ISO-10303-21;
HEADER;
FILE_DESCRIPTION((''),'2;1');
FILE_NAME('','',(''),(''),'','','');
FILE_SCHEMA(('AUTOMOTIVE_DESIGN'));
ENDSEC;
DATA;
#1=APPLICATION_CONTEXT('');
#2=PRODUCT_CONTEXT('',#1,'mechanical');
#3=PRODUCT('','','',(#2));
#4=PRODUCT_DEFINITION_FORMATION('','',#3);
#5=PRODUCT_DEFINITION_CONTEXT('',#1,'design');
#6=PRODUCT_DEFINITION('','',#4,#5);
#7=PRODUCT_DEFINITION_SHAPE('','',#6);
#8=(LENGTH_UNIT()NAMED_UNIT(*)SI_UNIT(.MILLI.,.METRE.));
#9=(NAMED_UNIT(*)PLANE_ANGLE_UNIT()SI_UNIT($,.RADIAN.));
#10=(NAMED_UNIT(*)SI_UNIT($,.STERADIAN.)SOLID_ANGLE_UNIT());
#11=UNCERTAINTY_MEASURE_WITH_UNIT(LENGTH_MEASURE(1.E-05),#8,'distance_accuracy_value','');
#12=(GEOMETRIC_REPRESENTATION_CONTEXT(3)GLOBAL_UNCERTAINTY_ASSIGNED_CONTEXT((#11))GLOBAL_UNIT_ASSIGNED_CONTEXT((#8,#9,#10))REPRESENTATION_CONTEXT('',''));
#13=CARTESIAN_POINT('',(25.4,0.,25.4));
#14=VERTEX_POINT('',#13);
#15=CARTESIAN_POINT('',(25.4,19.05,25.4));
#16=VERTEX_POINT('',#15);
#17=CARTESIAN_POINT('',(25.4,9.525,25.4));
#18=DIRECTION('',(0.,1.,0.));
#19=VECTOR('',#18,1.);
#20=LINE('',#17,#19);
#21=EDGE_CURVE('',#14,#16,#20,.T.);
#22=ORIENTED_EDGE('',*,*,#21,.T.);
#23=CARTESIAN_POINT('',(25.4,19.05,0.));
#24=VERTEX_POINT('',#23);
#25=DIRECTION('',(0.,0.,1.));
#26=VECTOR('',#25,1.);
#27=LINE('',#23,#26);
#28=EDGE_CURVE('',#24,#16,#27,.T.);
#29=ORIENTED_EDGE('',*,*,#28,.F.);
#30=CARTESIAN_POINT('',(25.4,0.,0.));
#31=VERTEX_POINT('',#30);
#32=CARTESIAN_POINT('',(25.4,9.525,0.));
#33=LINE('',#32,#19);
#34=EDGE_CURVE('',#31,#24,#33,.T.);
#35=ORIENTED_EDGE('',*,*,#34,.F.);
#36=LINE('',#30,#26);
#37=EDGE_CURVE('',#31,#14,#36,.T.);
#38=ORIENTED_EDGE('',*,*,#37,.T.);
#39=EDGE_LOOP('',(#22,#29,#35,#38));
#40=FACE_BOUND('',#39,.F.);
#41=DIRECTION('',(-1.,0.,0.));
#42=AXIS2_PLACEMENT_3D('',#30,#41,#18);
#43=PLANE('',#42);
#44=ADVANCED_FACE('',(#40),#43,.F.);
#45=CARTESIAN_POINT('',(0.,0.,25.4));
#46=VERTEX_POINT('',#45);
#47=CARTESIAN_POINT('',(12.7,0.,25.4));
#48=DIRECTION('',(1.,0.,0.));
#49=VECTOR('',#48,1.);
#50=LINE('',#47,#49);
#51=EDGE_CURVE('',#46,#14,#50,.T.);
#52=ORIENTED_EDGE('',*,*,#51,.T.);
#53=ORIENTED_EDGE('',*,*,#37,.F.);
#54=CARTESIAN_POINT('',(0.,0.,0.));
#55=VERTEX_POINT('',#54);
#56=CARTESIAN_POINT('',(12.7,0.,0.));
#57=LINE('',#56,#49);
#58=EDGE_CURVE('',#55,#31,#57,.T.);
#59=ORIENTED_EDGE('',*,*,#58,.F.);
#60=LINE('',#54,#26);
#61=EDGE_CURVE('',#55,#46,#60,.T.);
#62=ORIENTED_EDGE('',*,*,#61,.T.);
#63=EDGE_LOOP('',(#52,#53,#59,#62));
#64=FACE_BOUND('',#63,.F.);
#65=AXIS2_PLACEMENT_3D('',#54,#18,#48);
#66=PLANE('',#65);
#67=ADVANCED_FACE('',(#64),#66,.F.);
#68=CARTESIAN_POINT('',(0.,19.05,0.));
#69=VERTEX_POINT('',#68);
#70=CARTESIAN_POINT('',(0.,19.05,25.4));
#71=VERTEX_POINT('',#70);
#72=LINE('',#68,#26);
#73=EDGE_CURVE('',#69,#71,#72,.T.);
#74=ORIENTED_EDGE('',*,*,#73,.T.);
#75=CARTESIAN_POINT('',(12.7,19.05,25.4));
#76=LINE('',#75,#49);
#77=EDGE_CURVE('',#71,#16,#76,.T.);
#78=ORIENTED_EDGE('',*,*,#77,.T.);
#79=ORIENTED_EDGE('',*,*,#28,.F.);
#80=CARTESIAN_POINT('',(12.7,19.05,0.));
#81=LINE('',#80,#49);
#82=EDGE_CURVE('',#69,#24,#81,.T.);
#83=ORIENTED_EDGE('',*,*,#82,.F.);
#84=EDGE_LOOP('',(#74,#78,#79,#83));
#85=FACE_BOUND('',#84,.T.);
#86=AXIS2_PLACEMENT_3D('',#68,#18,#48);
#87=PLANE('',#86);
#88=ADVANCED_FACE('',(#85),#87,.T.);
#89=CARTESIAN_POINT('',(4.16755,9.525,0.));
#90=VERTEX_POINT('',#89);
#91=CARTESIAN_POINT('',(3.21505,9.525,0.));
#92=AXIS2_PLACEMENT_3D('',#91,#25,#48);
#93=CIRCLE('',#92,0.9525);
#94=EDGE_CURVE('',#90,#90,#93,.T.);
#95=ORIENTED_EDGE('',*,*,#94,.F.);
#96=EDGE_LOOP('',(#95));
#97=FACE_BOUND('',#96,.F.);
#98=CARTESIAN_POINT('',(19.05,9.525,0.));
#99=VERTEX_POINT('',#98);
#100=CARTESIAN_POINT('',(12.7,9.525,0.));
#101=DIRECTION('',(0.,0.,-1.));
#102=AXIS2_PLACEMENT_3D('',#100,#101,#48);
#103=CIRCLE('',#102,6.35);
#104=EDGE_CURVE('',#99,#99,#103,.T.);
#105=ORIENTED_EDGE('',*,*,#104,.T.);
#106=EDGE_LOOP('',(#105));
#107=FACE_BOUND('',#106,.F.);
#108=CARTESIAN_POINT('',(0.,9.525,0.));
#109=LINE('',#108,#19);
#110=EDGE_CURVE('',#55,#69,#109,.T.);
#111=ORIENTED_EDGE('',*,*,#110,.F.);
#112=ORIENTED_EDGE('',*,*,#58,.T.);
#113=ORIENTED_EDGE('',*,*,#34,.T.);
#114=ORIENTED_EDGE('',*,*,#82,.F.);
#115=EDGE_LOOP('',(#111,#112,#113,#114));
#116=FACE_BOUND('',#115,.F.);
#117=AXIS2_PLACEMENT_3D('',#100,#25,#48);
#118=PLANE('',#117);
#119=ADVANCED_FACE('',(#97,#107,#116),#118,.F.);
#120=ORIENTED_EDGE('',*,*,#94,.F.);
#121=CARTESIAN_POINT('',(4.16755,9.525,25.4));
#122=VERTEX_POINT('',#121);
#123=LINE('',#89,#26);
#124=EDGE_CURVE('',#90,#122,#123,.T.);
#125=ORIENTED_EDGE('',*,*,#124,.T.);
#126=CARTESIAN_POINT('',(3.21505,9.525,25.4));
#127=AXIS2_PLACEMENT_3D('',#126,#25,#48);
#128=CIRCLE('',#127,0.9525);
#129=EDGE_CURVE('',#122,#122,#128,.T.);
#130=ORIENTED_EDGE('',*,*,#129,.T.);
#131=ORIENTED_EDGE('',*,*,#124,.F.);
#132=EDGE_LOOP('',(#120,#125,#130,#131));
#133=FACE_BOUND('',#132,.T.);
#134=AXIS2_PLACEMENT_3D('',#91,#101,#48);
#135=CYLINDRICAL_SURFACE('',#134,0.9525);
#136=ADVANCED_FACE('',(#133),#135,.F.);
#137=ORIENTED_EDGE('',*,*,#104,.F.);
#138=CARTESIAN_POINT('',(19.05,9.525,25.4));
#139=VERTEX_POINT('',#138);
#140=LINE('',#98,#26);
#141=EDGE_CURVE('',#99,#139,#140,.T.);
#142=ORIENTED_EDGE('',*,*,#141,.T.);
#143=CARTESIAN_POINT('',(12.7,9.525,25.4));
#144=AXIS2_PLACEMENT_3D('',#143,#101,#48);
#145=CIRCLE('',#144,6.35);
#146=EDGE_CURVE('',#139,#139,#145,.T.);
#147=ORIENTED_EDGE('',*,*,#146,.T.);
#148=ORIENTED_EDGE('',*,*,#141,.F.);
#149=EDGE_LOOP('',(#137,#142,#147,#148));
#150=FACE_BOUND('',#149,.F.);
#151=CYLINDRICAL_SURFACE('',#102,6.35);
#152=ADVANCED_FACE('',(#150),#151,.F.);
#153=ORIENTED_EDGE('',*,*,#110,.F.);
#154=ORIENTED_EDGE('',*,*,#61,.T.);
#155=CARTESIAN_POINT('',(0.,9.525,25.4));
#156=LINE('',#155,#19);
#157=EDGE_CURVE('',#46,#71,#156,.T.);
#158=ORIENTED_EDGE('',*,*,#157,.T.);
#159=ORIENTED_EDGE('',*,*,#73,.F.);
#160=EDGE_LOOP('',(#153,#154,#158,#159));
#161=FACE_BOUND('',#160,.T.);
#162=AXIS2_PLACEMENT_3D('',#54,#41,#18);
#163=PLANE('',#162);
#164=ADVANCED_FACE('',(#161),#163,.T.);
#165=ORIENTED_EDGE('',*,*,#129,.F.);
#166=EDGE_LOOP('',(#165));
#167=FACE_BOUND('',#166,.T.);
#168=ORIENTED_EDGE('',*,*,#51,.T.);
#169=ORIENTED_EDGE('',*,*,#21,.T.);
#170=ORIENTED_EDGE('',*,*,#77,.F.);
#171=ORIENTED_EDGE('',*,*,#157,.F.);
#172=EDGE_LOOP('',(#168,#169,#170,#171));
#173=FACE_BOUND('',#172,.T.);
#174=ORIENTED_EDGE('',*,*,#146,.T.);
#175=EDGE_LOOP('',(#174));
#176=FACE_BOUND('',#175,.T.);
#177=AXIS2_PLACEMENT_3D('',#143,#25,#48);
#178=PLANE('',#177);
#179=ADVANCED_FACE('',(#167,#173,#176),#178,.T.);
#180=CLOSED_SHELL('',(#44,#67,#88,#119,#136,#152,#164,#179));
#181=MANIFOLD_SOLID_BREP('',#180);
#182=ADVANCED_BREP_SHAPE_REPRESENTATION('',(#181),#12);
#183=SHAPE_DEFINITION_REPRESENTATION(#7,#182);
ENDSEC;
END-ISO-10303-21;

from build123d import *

# Parameters (mm, degrees)
F0_W     = 25.4
F0_H     = 19.05
F0_R     = 0.9525
F1_DEPTH = 25.4


with BuildPart() as f1:
    # F0 (on Top) → F1 (new body)
    with BuildSketch(Plane.XY):
        with Locations((12.7, 9.525)):
            Rectangle(F0_W, F0_H)
        with Locations((3.21505, 9.525)):
            Circle(F0_R, mode=Mode.SUBTRACT)
        with BuildLine():
            ThreePointArc((6.35, 9.525), (12.7, 15.875), (19.05, 9.525))
            ThreePointArc((19.05, 9.525), (12.7, 3.175), (6.35, 9.525))
        make_face(mode=Mode.SUBTRACT)
    extrude(amount=F1_DEPTH)


solid = f1.part
